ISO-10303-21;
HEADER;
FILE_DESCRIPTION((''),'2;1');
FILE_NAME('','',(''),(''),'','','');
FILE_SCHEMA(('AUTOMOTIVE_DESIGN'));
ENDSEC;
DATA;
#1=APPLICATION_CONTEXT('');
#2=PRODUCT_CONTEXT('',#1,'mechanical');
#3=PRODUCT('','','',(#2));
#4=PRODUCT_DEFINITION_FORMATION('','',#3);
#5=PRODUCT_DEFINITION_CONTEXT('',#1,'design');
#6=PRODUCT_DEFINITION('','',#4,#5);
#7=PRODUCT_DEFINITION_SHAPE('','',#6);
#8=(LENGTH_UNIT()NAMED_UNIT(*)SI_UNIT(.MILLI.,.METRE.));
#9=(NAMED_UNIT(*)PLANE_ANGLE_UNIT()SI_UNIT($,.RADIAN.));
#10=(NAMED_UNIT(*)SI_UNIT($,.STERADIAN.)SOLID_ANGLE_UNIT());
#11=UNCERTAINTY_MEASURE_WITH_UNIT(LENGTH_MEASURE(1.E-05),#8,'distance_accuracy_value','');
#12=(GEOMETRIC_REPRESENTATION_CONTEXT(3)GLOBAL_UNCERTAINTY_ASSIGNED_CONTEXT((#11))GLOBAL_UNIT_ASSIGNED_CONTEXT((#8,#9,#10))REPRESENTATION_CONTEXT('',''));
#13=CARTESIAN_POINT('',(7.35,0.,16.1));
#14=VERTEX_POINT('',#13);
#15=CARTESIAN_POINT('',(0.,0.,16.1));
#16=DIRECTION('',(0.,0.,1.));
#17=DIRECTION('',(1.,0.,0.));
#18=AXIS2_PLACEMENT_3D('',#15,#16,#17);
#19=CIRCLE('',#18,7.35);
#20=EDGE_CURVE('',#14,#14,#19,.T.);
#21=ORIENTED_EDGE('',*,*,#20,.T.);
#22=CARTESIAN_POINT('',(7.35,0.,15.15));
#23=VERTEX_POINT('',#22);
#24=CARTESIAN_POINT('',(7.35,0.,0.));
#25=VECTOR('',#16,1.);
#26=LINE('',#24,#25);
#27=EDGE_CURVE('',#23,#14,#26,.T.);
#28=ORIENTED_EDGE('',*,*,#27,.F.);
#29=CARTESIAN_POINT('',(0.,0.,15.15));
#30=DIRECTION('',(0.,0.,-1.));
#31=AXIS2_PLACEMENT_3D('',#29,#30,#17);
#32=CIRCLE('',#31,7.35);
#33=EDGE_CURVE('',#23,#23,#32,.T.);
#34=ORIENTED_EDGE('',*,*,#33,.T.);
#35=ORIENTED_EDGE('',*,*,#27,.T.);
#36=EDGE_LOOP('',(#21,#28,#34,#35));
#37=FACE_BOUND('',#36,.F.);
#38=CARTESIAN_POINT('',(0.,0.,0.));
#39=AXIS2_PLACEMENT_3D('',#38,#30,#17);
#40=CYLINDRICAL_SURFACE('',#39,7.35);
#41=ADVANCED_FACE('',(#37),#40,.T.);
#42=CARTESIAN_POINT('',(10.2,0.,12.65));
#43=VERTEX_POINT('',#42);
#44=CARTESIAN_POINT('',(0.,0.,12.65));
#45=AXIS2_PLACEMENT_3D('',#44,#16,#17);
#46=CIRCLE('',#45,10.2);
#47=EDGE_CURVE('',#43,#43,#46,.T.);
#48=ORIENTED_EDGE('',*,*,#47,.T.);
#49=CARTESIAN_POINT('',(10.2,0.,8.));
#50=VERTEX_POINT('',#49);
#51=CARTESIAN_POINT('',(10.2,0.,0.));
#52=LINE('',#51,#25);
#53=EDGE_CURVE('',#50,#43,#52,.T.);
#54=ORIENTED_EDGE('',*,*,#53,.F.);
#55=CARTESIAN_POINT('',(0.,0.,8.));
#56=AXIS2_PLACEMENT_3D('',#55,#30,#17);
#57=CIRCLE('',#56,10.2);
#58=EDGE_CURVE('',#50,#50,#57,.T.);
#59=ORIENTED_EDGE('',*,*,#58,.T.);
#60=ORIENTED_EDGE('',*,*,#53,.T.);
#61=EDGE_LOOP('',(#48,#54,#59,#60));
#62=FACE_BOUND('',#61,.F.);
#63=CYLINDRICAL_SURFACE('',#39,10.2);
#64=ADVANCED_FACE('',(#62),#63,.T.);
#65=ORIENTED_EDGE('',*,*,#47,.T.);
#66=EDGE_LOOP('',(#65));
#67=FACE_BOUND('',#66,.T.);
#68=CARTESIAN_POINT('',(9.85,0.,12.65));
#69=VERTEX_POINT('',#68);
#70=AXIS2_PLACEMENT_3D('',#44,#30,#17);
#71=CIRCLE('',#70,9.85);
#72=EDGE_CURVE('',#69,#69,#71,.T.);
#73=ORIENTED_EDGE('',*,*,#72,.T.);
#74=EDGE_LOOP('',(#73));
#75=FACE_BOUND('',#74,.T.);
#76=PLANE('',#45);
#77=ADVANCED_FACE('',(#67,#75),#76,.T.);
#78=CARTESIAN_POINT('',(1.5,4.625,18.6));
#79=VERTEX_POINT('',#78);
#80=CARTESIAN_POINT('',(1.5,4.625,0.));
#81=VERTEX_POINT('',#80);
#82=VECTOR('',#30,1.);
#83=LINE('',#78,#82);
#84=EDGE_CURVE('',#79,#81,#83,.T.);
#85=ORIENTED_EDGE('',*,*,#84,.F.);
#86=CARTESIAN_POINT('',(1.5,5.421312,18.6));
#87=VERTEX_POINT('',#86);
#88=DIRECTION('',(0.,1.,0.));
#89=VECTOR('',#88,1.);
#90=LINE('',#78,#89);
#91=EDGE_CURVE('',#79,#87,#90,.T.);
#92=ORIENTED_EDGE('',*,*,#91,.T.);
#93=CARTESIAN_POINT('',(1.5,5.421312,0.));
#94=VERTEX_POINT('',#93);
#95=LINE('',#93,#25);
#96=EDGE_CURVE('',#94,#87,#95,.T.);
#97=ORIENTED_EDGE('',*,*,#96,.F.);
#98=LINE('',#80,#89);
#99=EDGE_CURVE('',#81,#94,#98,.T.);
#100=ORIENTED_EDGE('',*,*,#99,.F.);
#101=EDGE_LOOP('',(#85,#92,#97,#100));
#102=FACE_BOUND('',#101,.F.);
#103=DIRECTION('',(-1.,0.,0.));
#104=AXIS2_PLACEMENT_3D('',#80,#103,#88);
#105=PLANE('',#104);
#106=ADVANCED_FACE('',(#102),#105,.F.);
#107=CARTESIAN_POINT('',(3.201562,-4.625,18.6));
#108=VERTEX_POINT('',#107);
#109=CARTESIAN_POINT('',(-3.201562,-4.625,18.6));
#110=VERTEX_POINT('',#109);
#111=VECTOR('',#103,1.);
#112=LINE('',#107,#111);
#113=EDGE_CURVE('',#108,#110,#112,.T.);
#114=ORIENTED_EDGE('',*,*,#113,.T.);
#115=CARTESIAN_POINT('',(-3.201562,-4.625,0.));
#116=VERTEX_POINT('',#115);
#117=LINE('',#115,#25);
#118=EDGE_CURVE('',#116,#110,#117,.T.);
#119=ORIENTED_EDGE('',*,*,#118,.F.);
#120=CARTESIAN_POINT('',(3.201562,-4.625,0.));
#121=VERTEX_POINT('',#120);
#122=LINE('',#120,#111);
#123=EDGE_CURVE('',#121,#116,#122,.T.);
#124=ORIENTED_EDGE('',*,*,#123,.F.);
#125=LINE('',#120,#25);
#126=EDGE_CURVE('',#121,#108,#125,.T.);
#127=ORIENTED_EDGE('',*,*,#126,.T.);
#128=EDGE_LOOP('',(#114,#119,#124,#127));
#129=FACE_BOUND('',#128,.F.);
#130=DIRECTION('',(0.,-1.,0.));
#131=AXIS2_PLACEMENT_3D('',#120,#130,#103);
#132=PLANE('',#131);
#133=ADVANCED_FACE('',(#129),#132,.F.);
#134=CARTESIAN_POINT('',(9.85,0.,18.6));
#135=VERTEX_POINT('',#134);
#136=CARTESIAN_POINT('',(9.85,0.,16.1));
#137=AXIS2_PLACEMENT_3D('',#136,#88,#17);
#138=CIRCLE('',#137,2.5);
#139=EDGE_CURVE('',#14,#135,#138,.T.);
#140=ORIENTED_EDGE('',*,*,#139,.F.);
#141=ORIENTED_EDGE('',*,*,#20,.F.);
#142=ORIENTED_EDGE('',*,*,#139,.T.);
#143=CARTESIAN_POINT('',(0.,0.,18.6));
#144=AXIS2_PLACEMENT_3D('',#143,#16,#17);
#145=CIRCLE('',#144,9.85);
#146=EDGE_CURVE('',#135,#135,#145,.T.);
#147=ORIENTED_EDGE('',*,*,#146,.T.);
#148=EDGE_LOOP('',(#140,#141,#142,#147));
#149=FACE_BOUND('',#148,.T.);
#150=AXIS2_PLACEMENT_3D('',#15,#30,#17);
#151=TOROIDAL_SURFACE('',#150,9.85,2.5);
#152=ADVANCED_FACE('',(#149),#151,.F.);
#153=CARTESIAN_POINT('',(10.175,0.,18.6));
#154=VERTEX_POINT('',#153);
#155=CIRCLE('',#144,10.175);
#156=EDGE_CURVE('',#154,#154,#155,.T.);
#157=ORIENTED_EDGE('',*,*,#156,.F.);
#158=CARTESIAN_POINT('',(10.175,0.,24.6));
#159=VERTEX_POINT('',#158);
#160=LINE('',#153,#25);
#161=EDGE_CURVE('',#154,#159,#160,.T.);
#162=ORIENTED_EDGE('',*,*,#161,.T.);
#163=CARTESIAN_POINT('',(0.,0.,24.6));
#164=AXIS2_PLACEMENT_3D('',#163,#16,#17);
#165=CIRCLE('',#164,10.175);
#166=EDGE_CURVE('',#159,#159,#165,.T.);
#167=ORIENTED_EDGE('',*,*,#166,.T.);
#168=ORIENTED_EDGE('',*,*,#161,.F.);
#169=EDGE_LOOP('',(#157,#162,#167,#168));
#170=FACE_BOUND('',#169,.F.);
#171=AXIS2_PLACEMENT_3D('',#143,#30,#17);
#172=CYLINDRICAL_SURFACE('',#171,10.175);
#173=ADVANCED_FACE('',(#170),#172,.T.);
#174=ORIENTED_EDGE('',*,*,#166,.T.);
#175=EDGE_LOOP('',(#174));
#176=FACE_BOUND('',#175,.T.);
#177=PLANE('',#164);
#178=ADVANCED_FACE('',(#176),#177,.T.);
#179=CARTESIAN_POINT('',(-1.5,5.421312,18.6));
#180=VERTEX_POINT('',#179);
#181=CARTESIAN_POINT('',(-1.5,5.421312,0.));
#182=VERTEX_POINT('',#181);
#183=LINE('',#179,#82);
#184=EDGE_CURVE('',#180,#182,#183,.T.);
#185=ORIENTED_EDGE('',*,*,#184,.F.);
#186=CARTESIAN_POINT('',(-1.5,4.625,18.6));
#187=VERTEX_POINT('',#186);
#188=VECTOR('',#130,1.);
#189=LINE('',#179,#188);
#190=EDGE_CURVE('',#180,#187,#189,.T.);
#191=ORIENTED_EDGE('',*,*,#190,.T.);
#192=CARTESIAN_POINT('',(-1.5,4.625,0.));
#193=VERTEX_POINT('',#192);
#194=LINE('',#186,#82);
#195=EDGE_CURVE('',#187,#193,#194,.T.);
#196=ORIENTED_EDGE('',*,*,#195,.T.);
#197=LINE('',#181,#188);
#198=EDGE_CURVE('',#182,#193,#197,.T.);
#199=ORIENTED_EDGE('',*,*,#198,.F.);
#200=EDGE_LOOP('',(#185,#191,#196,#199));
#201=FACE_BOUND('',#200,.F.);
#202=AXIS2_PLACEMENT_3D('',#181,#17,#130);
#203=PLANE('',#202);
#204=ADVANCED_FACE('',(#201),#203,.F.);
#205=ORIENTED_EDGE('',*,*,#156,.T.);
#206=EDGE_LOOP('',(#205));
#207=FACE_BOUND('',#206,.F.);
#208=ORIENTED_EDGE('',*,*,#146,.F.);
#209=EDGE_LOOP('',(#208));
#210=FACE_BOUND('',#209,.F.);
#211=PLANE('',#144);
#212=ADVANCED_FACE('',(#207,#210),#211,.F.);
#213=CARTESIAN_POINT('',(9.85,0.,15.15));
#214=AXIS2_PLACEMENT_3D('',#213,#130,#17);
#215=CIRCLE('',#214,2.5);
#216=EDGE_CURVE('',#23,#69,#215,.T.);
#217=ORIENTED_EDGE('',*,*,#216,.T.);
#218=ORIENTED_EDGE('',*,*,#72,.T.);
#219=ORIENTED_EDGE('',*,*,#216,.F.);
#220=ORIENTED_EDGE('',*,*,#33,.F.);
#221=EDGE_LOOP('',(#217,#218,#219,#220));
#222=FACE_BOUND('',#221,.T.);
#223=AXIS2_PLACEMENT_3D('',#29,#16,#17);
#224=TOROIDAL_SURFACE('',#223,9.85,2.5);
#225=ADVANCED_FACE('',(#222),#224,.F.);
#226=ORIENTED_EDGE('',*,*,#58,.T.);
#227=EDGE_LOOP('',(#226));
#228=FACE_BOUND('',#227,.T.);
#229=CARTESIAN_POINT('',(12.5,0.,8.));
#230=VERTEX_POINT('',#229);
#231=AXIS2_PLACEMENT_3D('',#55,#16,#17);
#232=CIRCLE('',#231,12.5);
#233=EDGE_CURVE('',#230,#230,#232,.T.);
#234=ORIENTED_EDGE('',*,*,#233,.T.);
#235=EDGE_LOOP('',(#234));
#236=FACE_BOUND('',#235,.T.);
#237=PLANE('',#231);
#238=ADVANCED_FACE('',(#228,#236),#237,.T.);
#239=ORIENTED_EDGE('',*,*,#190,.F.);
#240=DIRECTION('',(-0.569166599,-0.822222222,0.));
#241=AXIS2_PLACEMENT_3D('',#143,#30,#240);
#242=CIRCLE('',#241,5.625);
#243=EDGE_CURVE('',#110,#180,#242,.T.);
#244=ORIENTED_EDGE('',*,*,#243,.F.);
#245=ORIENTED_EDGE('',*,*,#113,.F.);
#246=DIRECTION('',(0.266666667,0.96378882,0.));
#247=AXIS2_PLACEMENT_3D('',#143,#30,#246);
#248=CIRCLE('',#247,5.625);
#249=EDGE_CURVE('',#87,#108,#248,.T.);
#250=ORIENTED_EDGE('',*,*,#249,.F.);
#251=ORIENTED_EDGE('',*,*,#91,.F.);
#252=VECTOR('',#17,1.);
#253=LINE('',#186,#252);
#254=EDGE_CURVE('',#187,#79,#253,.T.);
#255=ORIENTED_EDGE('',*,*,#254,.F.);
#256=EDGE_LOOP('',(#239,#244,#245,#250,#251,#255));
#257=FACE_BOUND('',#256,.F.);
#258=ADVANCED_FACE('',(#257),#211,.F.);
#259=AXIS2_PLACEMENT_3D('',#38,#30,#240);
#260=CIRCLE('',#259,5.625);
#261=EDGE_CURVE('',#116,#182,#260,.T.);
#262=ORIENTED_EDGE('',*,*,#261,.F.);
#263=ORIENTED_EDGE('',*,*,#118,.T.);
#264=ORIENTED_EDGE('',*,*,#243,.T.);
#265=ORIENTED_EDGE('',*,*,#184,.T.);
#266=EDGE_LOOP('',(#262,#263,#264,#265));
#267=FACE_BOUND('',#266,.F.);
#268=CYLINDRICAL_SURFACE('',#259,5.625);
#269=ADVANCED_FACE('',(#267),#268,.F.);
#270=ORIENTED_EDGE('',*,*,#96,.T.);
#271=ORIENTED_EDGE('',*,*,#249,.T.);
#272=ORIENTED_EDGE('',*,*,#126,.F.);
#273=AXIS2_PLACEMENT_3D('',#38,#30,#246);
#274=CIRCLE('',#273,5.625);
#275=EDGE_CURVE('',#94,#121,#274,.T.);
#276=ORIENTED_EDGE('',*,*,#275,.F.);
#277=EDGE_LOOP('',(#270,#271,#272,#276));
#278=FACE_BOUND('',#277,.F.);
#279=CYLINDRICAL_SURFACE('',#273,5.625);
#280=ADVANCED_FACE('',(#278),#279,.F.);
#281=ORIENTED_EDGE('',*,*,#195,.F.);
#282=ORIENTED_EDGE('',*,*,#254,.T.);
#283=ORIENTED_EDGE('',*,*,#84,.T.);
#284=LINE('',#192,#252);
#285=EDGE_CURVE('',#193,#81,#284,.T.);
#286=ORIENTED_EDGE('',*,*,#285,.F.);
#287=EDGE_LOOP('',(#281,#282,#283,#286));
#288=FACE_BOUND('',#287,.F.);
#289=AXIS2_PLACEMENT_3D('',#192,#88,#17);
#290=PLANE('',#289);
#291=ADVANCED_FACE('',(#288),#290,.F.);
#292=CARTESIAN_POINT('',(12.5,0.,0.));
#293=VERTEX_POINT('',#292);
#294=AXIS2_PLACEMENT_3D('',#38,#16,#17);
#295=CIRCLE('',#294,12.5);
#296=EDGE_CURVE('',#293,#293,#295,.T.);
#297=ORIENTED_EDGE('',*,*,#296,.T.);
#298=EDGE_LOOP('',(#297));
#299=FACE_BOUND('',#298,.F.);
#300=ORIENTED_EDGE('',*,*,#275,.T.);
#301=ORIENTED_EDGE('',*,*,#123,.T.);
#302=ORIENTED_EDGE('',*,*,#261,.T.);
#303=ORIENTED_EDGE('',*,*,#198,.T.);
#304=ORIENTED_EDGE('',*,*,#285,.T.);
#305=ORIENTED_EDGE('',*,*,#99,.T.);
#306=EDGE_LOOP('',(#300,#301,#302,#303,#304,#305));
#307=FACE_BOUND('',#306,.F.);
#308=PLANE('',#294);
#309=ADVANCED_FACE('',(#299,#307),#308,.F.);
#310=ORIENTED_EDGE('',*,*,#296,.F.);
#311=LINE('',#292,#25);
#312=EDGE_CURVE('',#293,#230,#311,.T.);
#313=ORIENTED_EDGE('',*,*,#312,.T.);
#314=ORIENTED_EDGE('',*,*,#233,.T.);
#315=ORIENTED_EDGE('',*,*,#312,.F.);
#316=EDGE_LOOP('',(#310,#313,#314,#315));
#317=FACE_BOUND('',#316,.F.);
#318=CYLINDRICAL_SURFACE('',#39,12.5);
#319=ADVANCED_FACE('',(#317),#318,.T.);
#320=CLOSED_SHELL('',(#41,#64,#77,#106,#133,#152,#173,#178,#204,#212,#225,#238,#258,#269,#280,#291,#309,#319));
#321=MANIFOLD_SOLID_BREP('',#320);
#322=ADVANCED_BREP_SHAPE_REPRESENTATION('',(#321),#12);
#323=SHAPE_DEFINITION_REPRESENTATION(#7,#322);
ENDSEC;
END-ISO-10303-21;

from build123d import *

# Parameters (mm, degrees)
F0_R     = 12.5
F0_R_2   = 10.2
F0_R_3   = 7.35
F1_DEPTH = 8
F2_DEPTH = 12.65
F3_DEPTH = 18.6
F4_R     = 10.175
F5_DEPTH = 6
F6_R     = 2.5
F7_R     = 2.5


with BuildPart() as f1:
    # F0 (on Top) → F1 (new body)
    with BuildSketch(Plane.XY):
        Circle(F0_R)
        Circle(F0_R_2, mode=Mode.SUBTRACT)
        Circle(F0_R_2)
        Circle(F0_R_3, mode=Mode.SUBTRACT)
        Circle(F0_R_3)
        with BuildLine():
            ThreePointArc((1.5, 5.4213121106), (5.5460137346, 0.9393384136), (3.2015621187, -4.625))
            Line((3.2015621187, -4.625), (-3.2015621187, -4.625))
            ThreePointArc((-3.2015621187, -4.625), (-5.5460137346, 0.9393384136), (-1.5, 5.4213121106))
            Line((-1.5, 5.4213121106), (-1.5, 4.625))
            Line((-1.5, 4.625), (1.5, 4.625))
            Line((1.5, 4.625), (1.5, 5.4213121106))
        make_face(mode=Mode.SUBTRACT)
    extrude(amount=F1_DEPTH)

    # F0 (on Top) → F2 (join)
    with BuildSketch(Plane.XY):
        Circle(F0_R_2)
        Circle(F0_R_3, mode=Mode.SUBTRACT)
        Circle(F0_R_3)
        with BuildLine():
            ThreePointArc((1.5, 5.4213121106), (5.5460137346, 0.9393384136), (3.2015621187, -4.625))
            Line((3.2015621187, -4.625), (-3.2015621187, -4.625))
            ThreePointArc((-3.2015621187, -4.625), (-5.5460137346, 0.9393384136), (-1.5, 5.4213121106))
            Line((-1.5, 5.4213121106), (-1.5, 4.625))
            Line((-1.5, 4.625), (1.5, 4.625))
            Line((1.5, 4.625), (1.5, 5.4213121106))
        make_face(mode=Mode.SUBTRACT)
    extrude(amount=F2_DEPTH)

    # F0 (on Top) → F3 (join)
    with BuildSketch(Plane.XY):
        Circle(F0_R_3)
        with BuildLine():
            ThreePointArc((1.5, 5.4213121106), (5.5460137346, 0.9393384136), (3.2015621187, -4.625))
            Line((3.2015621187, -4.625), (-3.2015621187, -4.625))
            ThreePointArc((-3.2015621187, -4.625), (-5.5460137346, 0.9393384136), (-1.5, 5.4213121106))
            Line((-1.5, 5.4213121106), (-1.5, 4.625))
            Line((-1.5, 4.625), (1.5, 4.625))
            Line((1.5, 4.625), (1.5, 5.4213121106))
        make_face(mode=Mode.SUBTRACT)
    extrude(amount=F3_DEPTH)

    # F4 (on face) → F5 (join)
    with BuildSketch(Plane.XY.offset(18.6)):
        Circle(F4_R)
    extrude(amount=F5_DEPTH)

    # F6
    f6_edges = [f1.edges().sort_by_distance(p)[0] for p in [
        (-7.35, 0, 12.65),
    ]]
    fillet(f6_edges, radius=F6_R)

    # F7
    f7_edges = [f1.edges().sort_by_distance(p)[0] for p in [
        (-7.35, 0, 18.6),
    ]]
    fillet(f7_edges, radius=F7_R)


solid = f1.part
